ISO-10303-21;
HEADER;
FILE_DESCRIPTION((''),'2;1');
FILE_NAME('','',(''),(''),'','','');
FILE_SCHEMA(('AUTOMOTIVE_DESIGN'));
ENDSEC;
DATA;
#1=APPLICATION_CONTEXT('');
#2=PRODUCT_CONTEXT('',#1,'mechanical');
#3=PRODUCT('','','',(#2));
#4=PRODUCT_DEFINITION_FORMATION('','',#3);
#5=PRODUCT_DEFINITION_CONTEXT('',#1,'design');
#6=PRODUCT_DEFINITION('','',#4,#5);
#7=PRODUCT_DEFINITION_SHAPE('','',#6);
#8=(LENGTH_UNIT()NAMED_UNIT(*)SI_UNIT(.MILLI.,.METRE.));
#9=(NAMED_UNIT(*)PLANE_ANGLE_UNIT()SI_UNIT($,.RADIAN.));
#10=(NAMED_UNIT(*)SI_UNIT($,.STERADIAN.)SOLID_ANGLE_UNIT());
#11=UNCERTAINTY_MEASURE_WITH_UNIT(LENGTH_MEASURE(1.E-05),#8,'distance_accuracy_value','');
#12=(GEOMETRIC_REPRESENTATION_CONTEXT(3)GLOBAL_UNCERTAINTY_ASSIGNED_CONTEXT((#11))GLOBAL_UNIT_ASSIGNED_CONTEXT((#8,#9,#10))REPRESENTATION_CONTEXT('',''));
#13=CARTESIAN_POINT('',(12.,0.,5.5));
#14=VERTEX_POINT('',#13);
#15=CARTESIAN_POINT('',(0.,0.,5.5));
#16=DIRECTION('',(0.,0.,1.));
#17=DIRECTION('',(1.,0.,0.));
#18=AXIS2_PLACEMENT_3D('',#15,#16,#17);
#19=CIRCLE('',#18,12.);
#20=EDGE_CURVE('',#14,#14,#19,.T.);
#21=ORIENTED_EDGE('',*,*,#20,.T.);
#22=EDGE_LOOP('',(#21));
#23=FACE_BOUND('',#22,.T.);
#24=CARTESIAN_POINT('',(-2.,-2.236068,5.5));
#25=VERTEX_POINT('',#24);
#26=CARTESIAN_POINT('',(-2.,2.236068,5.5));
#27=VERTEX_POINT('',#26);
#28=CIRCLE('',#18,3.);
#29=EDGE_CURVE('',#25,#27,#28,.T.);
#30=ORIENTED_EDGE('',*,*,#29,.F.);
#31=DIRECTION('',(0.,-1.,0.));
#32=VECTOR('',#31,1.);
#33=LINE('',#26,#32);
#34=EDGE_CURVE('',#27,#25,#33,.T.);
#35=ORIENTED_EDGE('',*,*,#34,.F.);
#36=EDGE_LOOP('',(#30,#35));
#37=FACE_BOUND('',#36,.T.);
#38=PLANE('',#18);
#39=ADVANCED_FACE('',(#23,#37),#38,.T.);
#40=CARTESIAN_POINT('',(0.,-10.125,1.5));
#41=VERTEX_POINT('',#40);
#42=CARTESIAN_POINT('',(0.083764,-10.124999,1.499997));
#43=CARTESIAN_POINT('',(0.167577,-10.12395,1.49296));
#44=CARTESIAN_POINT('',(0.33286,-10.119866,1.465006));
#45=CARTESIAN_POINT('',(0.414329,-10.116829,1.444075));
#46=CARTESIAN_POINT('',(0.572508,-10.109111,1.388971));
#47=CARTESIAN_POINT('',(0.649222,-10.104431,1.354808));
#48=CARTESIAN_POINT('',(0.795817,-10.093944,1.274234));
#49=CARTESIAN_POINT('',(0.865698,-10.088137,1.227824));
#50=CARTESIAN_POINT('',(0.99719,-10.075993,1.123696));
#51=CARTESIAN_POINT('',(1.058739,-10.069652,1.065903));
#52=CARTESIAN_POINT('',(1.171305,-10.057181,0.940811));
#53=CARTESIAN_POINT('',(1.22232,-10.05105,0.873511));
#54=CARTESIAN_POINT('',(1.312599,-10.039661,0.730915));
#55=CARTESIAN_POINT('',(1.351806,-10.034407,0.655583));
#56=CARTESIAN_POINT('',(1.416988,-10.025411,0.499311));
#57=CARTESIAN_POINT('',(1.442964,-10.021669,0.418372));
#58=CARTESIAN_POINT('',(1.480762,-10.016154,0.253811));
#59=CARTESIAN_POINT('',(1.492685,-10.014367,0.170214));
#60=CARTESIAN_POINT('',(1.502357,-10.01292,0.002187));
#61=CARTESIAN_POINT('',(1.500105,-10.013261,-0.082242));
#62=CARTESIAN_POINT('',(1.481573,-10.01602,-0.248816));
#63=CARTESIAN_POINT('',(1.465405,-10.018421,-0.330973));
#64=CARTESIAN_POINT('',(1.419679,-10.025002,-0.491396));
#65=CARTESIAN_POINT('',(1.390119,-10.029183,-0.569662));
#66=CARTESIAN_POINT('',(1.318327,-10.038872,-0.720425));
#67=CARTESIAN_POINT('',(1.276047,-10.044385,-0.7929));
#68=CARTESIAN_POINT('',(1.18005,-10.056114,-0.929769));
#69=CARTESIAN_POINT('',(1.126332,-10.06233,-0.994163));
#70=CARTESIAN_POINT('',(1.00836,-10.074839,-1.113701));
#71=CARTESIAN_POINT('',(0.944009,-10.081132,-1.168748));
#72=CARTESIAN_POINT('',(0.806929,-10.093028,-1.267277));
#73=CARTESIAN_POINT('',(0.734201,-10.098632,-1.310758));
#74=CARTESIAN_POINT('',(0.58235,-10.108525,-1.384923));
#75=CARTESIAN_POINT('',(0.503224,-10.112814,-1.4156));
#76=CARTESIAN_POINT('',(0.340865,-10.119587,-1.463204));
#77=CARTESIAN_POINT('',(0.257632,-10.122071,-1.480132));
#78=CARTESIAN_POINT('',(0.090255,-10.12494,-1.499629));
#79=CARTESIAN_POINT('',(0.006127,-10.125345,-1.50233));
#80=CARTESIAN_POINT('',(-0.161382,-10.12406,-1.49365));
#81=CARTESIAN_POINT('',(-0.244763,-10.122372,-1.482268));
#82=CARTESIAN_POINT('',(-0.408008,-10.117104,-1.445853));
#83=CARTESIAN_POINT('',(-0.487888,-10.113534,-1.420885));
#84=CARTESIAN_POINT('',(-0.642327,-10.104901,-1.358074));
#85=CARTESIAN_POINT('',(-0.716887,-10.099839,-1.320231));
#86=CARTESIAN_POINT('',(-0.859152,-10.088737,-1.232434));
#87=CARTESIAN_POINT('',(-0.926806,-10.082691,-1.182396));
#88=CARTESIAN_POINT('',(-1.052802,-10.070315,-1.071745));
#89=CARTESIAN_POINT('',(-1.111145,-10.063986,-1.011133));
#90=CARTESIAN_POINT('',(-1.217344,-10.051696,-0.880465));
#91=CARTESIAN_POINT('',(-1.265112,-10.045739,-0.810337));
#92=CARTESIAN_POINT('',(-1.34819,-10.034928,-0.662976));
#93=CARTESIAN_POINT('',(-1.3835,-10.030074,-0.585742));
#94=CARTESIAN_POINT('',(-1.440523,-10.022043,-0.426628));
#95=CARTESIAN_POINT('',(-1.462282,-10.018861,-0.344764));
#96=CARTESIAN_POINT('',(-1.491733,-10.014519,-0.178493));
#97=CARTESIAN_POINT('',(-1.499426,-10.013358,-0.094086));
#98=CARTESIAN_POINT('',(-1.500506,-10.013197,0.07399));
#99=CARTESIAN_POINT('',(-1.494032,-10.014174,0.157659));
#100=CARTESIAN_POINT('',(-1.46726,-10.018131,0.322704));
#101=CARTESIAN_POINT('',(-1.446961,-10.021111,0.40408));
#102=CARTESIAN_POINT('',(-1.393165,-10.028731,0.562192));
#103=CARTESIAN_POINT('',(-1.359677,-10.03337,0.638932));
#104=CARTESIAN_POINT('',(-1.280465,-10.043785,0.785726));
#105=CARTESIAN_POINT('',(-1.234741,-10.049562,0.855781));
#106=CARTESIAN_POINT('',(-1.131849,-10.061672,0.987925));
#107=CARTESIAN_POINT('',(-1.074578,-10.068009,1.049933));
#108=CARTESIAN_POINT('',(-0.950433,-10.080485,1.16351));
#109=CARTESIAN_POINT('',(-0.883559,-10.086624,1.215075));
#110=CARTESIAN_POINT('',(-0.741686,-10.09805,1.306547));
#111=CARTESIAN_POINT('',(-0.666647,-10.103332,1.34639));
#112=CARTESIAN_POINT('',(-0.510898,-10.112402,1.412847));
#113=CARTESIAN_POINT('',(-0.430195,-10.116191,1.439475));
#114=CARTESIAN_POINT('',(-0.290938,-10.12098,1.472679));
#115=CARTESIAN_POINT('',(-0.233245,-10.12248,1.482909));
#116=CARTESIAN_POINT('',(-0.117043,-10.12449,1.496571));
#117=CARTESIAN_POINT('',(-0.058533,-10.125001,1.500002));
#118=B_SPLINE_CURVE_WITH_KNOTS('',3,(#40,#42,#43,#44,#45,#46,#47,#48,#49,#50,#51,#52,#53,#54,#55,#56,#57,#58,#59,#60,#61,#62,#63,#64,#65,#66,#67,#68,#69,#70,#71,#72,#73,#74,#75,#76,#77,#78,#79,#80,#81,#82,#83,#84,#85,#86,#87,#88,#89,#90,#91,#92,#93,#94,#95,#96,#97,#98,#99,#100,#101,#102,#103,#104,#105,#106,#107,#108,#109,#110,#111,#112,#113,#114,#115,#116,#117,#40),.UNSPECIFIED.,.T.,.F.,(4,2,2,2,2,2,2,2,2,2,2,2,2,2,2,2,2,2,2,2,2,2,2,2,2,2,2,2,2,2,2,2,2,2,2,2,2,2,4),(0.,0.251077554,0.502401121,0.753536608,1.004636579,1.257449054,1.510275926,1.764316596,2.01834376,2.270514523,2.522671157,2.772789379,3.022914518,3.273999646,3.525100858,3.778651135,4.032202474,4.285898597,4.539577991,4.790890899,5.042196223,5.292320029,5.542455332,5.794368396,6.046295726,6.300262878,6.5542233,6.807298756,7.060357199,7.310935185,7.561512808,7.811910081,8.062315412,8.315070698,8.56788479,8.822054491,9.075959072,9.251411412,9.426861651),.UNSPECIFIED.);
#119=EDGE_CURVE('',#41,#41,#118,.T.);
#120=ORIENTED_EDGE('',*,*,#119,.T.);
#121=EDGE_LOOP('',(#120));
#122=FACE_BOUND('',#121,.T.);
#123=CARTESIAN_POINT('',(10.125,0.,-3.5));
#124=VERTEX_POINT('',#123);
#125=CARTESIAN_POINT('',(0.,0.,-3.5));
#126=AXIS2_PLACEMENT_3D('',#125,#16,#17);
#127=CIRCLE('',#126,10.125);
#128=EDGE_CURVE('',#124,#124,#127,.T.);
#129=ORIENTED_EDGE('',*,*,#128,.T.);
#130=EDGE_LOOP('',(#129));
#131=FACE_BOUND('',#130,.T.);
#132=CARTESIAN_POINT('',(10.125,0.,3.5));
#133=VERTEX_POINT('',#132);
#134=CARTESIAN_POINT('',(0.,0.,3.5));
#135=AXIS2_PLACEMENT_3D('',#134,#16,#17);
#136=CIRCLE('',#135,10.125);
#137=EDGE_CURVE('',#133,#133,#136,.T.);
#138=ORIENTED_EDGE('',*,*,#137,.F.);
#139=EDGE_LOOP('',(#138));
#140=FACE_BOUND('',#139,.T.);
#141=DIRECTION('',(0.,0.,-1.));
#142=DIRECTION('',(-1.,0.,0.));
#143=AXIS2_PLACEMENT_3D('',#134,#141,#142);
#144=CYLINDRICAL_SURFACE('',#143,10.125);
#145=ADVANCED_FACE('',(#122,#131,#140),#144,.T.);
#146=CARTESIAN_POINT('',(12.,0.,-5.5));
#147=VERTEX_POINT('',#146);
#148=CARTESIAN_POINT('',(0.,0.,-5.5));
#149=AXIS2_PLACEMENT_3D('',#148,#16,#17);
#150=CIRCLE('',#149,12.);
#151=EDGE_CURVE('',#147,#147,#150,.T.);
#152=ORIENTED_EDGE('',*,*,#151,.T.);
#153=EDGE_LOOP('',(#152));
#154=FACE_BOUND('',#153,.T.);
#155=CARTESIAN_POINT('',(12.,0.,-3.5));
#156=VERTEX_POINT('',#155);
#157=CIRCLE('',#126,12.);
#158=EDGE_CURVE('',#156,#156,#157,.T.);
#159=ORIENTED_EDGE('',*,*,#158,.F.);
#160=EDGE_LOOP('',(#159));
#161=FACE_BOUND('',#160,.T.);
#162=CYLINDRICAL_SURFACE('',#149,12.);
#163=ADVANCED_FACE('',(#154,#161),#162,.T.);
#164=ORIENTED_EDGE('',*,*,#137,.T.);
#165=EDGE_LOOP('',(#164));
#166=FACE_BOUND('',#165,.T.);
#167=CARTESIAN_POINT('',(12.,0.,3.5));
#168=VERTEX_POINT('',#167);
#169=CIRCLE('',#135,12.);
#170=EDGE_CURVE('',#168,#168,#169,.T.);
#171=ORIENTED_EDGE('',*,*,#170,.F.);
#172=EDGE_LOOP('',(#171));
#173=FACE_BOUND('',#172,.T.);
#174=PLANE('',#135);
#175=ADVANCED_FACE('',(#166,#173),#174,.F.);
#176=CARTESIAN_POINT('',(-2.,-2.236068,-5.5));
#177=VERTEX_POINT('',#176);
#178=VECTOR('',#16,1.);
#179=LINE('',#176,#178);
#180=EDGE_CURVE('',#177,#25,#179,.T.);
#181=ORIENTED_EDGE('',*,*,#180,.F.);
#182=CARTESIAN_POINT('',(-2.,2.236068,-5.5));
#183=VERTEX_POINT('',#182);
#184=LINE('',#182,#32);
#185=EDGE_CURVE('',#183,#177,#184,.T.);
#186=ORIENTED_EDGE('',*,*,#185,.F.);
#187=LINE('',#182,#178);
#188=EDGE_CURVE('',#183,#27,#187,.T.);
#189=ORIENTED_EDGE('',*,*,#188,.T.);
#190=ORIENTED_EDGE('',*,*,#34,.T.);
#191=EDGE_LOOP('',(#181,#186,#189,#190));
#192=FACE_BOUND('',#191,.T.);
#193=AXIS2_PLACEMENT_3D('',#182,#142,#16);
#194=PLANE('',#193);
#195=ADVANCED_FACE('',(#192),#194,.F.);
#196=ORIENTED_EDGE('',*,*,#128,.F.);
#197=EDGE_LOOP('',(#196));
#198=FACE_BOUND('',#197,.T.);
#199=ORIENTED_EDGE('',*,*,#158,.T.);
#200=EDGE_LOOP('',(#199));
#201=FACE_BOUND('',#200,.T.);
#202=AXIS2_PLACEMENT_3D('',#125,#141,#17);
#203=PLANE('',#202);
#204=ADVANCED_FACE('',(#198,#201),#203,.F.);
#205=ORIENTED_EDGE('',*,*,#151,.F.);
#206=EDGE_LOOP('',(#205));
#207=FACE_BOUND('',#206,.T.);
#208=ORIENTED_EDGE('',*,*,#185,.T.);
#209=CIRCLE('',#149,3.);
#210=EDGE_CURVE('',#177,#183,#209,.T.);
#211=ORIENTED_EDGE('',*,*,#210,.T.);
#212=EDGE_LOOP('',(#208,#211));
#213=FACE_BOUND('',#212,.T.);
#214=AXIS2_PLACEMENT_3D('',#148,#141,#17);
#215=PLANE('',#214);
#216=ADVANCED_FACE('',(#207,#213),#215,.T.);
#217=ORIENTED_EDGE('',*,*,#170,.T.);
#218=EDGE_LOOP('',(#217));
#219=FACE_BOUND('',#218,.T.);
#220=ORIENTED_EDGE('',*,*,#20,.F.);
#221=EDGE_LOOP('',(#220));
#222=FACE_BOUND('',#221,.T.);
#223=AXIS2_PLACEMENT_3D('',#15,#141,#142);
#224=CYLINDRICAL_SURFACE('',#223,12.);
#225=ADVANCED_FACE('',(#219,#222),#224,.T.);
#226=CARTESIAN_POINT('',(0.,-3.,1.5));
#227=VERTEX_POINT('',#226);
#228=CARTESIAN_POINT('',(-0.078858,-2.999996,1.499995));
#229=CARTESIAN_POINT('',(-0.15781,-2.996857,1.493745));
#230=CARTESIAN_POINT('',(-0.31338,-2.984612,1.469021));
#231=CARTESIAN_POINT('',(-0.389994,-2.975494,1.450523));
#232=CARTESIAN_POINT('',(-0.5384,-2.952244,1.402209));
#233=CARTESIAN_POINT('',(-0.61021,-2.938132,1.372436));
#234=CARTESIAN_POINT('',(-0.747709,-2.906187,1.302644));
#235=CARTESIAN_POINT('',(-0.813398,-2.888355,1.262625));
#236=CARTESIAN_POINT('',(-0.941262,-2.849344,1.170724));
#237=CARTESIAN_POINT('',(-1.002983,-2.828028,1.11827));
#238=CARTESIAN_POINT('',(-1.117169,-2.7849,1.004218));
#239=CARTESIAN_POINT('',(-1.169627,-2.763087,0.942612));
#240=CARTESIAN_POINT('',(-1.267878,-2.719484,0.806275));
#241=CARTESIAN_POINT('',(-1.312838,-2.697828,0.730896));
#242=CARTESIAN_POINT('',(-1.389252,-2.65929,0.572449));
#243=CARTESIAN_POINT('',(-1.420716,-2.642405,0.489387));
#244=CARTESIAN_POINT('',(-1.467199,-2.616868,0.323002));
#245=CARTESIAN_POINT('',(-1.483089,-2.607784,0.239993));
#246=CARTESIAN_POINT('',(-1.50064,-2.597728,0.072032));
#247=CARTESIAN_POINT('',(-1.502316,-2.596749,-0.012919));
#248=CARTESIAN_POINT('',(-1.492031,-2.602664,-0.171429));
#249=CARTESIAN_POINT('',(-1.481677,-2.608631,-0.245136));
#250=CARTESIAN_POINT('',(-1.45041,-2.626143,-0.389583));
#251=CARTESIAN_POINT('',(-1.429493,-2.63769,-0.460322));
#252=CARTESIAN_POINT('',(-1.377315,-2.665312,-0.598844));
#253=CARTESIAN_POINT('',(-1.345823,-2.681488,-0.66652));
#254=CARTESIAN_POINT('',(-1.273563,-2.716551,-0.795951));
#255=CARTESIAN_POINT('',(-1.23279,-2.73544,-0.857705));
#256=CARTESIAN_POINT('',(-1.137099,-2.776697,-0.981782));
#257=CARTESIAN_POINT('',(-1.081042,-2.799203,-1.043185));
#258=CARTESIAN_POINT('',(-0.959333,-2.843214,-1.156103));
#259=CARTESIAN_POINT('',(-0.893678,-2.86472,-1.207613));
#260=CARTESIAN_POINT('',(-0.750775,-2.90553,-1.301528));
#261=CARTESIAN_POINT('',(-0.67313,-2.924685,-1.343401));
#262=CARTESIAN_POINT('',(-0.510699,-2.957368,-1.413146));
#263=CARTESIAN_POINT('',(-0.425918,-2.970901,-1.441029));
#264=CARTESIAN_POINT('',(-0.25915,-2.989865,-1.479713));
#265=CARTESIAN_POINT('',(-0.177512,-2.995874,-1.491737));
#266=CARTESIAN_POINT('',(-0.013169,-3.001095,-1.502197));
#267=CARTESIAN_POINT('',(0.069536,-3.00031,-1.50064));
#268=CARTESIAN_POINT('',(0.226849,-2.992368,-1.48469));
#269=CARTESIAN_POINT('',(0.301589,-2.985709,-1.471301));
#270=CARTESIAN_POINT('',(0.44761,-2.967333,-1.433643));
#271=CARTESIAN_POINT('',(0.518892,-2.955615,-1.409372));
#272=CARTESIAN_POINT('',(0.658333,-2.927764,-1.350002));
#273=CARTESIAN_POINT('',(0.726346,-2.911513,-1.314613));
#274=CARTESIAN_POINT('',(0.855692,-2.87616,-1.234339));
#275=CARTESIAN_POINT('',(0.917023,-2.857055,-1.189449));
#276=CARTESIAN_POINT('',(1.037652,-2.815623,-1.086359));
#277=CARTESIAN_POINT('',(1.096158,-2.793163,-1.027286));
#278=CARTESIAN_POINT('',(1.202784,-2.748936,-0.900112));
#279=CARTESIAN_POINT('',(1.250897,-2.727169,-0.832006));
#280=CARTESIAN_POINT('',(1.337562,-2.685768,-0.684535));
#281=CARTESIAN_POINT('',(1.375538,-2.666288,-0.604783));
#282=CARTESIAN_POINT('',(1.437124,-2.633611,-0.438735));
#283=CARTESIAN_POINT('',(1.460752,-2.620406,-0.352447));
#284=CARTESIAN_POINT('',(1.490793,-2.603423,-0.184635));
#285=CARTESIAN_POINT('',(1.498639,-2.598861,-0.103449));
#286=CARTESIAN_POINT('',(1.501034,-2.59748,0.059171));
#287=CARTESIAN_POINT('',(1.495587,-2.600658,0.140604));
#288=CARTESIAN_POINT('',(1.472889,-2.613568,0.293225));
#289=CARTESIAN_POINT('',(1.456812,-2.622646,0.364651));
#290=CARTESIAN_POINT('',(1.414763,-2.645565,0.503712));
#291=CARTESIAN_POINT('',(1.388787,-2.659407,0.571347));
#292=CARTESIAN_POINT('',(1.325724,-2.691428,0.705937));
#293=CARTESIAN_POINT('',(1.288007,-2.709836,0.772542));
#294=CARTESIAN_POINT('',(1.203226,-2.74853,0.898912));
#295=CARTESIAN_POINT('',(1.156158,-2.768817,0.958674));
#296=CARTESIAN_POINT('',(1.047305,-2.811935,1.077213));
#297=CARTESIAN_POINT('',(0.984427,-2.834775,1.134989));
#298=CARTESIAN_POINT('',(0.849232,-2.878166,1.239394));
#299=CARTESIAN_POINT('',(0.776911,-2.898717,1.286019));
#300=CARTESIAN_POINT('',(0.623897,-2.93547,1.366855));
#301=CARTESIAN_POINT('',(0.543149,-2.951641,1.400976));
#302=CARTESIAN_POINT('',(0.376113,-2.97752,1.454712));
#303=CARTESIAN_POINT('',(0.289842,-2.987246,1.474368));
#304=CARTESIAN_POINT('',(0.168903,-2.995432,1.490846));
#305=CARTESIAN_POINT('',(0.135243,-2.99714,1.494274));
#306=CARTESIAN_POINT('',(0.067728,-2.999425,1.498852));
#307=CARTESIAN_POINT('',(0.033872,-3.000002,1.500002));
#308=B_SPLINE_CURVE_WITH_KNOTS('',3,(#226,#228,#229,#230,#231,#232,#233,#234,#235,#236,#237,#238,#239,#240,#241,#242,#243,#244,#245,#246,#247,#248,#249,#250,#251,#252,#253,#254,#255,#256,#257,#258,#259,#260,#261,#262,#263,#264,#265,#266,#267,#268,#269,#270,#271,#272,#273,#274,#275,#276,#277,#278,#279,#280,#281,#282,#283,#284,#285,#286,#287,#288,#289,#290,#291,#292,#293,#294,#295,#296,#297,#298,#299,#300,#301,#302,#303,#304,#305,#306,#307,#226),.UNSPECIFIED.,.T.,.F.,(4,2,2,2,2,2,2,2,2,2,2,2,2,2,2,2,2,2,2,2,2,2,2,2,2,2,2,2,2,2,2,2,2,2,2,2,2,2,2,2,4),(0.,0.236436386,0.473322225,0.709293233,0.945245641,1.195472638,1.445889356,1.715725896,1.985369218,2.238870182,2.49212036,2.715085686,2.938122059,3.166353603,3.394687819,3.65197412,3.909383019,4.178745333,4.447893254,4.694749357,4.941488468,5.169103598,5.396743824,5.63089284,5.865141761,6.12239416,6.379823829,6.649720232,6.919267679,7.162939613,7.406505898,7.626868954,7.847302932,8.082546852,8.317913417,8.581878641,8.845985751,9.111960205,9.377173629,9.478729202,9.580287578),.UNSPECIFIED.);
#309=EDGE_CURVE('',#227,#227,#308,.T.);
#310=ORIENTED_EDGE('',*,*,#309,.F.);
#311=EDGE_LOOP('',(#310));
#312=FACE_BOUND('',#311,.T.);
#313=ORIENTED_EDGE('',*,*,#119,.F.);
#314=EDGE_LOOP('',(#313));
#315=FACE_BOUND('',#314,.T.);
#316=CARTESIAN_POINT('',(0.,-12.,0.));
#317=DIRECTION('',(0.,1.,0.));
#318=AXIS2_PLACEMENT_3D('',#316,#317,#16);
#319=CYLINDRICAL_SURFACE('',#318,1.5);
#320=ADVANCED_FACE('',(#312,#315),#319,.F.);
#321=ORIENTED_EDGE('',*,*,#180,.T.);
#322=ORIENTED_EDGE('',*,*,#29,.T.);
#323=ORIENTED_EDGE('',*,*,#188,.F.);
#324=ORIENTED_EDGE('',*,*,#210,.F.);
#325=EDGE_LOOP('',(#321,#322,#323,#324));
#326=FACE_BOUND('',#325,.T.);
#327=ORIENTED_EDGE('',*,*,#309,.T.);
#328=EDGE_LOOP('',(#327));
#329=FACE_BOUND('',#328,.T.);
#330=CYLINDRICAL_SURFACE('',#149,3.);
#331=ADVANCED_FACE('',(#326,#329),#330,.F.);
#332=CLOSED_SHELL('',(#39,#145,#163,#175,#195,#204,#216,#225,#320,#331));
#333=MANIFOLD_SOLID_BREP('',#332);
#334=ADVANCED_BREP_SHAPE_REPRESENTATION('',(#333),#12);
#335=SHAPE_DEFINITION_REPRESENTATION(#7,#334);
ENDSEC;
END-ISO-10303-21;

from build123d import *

# Parameters (mm, degrees)
SKETCH_1_R          = 10.125
EXTRUDE_1_DEPTH     = 3.5
SKETCH_2_R          = 12
EXTRUDE_2_DEPTH     = 2
CUT_EXTRUDE_1_DEPTH = 21.223748416
SKETCH_4_R          = 1.5
CUT_EXTRUDE_2_DEPTH = 18.839562775


with BuildPart() as part:
    # 草图1 → 凸台-拉伸1 (new, symmetric)
    with BuildSketch(Plane.XY):
        Circle(SKETCH_1_R)
    extrude(amount=EXTRUDE_1_DEPTH, both=True)

    # 草图2 → 凸台-拉伸2 (add)
    with BuildSketch(Plane.XY.offset(3.5)):
        Circle(SKETCH_2_R)
    extrude_2 = extrude(amount=EXTRUDE_2_DEPTH)

    # 镜向1: 凸台-拉伸2 across plane
    add(extrude_2.mirror(Plane.XY))

    # 草图3 → 切除-拉伸1 (cut, through all)
    with BuildSketch(Plane.XY.offset(5.5)):
        with BuildLine():
            Line((-2, 2.236067977), (-2, -2.236067977))
            ThreePointArc((-2, -2.236067977), (3, 0), (-2, 2.236067977))
        make_face()
    extrude(amount=-CUT_EXTRUDE_1_DEPTH, mode=Mode.SUBTRACT)

    # 草图4 → 切除-拉伸2 (cut, through all)
    with BuildSketch(Plane(origin=(0, 0, 0), x_dir=(1, 0, 0), z_dir=(0, 1, 0))):
        with Locations(Location((0, 0, 0), (0, 0, 270))):
            Circle(SKETCH_4_R)
    extrude(amount=-CUT_EXTRUDE_2_DEPTH, mode=Mode.SUBTRACT)


solid = part.part
